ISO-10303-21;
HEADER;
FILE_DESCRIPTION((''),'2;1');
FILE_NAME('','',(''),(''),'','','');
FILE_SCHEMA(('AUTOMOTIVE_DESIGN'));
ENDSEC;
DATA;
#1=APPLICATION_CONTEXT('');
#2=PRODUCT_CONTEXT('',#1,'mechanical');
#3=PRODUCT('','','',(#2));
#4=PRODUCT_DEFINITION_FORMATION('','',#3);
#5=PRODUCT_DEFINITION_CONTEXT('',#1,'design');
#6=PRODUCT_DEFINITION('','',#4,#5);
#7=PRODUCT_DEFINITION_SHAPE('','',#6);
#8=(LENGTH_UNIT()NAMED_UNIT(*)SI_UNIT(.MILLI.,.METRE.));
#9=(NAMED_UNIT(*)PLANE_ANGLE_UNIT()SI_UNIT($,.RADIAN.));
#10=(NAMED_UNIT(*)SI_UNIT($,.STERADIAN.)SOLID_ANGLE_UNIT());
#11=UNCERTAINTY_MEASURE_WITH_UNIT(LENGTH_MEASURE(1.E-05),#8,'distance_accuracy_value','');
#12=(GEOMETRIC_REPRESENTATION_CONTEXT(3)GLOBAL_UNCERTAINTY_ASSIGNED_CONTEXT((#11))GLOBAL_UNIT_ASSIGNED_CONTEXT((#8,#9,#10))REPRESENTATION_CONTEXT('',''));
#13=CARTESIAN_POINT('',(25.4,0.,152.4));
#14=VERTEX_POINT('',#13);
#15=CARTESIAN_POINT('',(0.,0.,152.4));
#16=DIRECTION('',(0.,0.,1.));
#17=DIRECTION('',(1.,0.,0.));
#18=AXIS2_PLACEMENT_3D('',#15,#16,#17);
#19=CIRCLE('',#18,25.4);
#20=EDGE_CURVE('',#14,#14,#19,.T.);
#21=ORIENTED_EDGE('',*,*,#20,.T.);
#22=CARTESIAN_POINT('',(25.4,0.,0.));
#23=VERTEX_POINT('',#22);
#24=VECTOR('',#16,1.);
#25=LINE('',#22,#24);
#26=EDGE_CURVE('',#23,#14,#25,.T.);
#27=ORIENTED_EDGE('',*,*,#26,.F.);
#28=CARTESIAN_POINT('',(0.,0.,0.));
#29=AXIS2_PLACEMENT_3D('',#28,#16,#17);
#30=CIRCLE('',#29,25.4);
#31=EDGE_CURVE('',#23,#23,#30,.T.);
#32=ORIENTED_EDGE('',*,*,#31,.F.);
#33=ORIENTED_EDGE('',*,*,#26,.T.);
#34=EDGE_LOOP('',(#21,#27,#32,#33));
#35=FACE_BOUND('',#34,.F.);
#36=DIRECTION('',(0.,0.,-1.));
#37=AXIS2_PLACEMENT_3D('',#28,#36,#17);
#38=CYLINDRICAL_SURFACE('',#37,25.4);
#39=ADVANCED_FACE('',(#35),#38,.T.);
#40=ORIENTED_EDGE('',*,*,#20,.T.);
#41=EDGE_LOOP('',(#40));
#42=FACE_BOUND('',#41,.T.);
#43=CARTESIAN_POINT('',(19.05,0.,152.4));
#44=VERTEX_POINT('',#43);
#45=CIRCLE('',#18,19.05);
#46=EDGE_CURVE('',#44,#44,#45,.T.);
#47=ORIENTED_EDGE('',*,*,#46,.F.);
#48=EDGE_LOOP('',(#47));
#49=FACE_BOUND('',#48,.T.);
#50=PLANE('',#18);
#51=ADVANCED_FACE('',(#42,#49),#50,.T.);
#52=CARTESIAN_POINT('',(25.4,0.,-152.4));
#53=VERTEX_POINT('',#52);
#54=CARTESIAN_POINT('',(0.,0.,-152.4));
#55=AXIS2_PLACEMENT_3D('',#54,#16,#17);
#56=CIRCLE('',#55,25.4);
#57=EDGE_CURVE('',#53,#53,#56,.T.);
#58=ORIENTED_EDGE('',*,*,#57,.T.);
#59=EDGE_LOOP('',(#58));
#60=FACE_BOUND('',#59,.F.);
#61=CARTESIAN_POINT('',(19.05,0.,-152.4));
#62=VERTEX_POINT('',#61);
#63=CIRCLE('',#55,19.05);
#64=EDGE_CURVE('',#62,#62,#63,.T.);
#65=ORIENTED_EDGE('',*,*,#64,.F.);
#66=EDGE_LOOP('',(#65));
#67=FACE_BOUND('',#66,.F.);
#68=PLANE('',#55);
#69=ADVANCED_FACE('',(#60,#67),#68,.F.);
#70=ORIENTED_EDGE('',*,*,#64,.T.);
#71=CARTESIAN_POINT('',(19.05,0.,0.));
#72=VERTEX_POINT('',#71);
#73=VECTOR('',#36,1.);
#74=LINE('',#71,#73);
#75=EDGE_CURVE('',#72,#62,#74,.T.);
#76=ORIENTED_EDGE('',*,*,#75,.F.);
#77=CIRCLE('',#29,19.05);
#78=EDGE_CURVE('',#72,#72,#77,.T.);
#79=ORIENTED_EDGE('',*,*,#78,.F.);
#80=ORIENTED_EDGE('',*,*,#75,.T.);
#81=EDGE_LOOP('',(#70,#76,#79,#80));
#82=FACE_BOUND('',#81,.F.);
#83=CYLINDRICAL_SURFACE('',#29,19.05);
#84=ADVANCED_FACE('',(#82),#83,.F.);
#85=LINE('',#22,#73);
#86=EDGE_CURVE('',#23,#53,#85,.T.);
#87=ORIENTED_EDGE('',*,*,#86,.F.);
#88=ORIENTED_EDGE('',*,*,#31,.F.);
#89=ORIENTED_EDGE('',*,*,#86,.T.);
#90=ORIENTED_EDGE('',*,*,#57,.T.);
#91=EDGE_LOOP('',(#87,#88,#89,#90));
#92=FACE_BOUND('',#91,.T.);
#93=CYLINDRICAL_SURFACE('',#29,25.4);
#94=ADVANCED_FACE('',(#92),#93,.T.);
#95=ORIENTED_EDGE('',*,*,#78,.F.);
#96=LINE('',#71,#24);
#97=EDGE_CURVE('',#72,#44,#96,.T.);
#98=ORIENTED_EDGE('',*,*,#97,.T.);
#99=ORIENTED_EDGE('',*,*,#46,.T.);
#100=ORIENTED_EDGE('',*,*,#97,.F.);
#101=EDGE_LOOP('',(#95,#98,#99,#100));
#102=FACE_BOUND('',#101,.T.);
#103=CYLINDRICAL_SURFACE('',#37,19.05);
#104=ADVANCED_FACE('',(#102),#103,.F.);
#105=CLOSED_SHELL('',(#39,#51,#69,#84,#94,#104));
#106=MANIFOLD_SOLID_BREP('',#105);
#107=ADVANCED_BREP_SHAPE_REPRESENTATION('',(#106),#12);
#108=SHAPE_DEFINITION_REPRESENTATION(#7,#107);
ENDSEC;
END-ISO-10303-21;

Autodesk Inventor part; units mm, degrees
ref_plane "YZ Plane" through (0, 0, 0) normal (1, 0, 0) x (0, 1, 0)
ref_plane "XZ Plane" through (0, 0, 0) normal (0, 1, 0) x (-1, 0, 0)
ref_plane "XY Plane" through (0, 0, 0) normal (0, 0, 1) x (1, 0, 0)
sketch "Sketch1" plane through (0, 0, 0) normal (0, 0, 1) x (1, 0, 0)
  circle A0 centre (0, 0) radius 25.4
  circle A1 centre (0, 0) radius 19.05
  dimension "d0" = 50.8
  dimension "d3" = 38.1
extrude "Extrusion2" add sketch "Sketch1" along normal mid plane 304.8
properties part number "pipe"
